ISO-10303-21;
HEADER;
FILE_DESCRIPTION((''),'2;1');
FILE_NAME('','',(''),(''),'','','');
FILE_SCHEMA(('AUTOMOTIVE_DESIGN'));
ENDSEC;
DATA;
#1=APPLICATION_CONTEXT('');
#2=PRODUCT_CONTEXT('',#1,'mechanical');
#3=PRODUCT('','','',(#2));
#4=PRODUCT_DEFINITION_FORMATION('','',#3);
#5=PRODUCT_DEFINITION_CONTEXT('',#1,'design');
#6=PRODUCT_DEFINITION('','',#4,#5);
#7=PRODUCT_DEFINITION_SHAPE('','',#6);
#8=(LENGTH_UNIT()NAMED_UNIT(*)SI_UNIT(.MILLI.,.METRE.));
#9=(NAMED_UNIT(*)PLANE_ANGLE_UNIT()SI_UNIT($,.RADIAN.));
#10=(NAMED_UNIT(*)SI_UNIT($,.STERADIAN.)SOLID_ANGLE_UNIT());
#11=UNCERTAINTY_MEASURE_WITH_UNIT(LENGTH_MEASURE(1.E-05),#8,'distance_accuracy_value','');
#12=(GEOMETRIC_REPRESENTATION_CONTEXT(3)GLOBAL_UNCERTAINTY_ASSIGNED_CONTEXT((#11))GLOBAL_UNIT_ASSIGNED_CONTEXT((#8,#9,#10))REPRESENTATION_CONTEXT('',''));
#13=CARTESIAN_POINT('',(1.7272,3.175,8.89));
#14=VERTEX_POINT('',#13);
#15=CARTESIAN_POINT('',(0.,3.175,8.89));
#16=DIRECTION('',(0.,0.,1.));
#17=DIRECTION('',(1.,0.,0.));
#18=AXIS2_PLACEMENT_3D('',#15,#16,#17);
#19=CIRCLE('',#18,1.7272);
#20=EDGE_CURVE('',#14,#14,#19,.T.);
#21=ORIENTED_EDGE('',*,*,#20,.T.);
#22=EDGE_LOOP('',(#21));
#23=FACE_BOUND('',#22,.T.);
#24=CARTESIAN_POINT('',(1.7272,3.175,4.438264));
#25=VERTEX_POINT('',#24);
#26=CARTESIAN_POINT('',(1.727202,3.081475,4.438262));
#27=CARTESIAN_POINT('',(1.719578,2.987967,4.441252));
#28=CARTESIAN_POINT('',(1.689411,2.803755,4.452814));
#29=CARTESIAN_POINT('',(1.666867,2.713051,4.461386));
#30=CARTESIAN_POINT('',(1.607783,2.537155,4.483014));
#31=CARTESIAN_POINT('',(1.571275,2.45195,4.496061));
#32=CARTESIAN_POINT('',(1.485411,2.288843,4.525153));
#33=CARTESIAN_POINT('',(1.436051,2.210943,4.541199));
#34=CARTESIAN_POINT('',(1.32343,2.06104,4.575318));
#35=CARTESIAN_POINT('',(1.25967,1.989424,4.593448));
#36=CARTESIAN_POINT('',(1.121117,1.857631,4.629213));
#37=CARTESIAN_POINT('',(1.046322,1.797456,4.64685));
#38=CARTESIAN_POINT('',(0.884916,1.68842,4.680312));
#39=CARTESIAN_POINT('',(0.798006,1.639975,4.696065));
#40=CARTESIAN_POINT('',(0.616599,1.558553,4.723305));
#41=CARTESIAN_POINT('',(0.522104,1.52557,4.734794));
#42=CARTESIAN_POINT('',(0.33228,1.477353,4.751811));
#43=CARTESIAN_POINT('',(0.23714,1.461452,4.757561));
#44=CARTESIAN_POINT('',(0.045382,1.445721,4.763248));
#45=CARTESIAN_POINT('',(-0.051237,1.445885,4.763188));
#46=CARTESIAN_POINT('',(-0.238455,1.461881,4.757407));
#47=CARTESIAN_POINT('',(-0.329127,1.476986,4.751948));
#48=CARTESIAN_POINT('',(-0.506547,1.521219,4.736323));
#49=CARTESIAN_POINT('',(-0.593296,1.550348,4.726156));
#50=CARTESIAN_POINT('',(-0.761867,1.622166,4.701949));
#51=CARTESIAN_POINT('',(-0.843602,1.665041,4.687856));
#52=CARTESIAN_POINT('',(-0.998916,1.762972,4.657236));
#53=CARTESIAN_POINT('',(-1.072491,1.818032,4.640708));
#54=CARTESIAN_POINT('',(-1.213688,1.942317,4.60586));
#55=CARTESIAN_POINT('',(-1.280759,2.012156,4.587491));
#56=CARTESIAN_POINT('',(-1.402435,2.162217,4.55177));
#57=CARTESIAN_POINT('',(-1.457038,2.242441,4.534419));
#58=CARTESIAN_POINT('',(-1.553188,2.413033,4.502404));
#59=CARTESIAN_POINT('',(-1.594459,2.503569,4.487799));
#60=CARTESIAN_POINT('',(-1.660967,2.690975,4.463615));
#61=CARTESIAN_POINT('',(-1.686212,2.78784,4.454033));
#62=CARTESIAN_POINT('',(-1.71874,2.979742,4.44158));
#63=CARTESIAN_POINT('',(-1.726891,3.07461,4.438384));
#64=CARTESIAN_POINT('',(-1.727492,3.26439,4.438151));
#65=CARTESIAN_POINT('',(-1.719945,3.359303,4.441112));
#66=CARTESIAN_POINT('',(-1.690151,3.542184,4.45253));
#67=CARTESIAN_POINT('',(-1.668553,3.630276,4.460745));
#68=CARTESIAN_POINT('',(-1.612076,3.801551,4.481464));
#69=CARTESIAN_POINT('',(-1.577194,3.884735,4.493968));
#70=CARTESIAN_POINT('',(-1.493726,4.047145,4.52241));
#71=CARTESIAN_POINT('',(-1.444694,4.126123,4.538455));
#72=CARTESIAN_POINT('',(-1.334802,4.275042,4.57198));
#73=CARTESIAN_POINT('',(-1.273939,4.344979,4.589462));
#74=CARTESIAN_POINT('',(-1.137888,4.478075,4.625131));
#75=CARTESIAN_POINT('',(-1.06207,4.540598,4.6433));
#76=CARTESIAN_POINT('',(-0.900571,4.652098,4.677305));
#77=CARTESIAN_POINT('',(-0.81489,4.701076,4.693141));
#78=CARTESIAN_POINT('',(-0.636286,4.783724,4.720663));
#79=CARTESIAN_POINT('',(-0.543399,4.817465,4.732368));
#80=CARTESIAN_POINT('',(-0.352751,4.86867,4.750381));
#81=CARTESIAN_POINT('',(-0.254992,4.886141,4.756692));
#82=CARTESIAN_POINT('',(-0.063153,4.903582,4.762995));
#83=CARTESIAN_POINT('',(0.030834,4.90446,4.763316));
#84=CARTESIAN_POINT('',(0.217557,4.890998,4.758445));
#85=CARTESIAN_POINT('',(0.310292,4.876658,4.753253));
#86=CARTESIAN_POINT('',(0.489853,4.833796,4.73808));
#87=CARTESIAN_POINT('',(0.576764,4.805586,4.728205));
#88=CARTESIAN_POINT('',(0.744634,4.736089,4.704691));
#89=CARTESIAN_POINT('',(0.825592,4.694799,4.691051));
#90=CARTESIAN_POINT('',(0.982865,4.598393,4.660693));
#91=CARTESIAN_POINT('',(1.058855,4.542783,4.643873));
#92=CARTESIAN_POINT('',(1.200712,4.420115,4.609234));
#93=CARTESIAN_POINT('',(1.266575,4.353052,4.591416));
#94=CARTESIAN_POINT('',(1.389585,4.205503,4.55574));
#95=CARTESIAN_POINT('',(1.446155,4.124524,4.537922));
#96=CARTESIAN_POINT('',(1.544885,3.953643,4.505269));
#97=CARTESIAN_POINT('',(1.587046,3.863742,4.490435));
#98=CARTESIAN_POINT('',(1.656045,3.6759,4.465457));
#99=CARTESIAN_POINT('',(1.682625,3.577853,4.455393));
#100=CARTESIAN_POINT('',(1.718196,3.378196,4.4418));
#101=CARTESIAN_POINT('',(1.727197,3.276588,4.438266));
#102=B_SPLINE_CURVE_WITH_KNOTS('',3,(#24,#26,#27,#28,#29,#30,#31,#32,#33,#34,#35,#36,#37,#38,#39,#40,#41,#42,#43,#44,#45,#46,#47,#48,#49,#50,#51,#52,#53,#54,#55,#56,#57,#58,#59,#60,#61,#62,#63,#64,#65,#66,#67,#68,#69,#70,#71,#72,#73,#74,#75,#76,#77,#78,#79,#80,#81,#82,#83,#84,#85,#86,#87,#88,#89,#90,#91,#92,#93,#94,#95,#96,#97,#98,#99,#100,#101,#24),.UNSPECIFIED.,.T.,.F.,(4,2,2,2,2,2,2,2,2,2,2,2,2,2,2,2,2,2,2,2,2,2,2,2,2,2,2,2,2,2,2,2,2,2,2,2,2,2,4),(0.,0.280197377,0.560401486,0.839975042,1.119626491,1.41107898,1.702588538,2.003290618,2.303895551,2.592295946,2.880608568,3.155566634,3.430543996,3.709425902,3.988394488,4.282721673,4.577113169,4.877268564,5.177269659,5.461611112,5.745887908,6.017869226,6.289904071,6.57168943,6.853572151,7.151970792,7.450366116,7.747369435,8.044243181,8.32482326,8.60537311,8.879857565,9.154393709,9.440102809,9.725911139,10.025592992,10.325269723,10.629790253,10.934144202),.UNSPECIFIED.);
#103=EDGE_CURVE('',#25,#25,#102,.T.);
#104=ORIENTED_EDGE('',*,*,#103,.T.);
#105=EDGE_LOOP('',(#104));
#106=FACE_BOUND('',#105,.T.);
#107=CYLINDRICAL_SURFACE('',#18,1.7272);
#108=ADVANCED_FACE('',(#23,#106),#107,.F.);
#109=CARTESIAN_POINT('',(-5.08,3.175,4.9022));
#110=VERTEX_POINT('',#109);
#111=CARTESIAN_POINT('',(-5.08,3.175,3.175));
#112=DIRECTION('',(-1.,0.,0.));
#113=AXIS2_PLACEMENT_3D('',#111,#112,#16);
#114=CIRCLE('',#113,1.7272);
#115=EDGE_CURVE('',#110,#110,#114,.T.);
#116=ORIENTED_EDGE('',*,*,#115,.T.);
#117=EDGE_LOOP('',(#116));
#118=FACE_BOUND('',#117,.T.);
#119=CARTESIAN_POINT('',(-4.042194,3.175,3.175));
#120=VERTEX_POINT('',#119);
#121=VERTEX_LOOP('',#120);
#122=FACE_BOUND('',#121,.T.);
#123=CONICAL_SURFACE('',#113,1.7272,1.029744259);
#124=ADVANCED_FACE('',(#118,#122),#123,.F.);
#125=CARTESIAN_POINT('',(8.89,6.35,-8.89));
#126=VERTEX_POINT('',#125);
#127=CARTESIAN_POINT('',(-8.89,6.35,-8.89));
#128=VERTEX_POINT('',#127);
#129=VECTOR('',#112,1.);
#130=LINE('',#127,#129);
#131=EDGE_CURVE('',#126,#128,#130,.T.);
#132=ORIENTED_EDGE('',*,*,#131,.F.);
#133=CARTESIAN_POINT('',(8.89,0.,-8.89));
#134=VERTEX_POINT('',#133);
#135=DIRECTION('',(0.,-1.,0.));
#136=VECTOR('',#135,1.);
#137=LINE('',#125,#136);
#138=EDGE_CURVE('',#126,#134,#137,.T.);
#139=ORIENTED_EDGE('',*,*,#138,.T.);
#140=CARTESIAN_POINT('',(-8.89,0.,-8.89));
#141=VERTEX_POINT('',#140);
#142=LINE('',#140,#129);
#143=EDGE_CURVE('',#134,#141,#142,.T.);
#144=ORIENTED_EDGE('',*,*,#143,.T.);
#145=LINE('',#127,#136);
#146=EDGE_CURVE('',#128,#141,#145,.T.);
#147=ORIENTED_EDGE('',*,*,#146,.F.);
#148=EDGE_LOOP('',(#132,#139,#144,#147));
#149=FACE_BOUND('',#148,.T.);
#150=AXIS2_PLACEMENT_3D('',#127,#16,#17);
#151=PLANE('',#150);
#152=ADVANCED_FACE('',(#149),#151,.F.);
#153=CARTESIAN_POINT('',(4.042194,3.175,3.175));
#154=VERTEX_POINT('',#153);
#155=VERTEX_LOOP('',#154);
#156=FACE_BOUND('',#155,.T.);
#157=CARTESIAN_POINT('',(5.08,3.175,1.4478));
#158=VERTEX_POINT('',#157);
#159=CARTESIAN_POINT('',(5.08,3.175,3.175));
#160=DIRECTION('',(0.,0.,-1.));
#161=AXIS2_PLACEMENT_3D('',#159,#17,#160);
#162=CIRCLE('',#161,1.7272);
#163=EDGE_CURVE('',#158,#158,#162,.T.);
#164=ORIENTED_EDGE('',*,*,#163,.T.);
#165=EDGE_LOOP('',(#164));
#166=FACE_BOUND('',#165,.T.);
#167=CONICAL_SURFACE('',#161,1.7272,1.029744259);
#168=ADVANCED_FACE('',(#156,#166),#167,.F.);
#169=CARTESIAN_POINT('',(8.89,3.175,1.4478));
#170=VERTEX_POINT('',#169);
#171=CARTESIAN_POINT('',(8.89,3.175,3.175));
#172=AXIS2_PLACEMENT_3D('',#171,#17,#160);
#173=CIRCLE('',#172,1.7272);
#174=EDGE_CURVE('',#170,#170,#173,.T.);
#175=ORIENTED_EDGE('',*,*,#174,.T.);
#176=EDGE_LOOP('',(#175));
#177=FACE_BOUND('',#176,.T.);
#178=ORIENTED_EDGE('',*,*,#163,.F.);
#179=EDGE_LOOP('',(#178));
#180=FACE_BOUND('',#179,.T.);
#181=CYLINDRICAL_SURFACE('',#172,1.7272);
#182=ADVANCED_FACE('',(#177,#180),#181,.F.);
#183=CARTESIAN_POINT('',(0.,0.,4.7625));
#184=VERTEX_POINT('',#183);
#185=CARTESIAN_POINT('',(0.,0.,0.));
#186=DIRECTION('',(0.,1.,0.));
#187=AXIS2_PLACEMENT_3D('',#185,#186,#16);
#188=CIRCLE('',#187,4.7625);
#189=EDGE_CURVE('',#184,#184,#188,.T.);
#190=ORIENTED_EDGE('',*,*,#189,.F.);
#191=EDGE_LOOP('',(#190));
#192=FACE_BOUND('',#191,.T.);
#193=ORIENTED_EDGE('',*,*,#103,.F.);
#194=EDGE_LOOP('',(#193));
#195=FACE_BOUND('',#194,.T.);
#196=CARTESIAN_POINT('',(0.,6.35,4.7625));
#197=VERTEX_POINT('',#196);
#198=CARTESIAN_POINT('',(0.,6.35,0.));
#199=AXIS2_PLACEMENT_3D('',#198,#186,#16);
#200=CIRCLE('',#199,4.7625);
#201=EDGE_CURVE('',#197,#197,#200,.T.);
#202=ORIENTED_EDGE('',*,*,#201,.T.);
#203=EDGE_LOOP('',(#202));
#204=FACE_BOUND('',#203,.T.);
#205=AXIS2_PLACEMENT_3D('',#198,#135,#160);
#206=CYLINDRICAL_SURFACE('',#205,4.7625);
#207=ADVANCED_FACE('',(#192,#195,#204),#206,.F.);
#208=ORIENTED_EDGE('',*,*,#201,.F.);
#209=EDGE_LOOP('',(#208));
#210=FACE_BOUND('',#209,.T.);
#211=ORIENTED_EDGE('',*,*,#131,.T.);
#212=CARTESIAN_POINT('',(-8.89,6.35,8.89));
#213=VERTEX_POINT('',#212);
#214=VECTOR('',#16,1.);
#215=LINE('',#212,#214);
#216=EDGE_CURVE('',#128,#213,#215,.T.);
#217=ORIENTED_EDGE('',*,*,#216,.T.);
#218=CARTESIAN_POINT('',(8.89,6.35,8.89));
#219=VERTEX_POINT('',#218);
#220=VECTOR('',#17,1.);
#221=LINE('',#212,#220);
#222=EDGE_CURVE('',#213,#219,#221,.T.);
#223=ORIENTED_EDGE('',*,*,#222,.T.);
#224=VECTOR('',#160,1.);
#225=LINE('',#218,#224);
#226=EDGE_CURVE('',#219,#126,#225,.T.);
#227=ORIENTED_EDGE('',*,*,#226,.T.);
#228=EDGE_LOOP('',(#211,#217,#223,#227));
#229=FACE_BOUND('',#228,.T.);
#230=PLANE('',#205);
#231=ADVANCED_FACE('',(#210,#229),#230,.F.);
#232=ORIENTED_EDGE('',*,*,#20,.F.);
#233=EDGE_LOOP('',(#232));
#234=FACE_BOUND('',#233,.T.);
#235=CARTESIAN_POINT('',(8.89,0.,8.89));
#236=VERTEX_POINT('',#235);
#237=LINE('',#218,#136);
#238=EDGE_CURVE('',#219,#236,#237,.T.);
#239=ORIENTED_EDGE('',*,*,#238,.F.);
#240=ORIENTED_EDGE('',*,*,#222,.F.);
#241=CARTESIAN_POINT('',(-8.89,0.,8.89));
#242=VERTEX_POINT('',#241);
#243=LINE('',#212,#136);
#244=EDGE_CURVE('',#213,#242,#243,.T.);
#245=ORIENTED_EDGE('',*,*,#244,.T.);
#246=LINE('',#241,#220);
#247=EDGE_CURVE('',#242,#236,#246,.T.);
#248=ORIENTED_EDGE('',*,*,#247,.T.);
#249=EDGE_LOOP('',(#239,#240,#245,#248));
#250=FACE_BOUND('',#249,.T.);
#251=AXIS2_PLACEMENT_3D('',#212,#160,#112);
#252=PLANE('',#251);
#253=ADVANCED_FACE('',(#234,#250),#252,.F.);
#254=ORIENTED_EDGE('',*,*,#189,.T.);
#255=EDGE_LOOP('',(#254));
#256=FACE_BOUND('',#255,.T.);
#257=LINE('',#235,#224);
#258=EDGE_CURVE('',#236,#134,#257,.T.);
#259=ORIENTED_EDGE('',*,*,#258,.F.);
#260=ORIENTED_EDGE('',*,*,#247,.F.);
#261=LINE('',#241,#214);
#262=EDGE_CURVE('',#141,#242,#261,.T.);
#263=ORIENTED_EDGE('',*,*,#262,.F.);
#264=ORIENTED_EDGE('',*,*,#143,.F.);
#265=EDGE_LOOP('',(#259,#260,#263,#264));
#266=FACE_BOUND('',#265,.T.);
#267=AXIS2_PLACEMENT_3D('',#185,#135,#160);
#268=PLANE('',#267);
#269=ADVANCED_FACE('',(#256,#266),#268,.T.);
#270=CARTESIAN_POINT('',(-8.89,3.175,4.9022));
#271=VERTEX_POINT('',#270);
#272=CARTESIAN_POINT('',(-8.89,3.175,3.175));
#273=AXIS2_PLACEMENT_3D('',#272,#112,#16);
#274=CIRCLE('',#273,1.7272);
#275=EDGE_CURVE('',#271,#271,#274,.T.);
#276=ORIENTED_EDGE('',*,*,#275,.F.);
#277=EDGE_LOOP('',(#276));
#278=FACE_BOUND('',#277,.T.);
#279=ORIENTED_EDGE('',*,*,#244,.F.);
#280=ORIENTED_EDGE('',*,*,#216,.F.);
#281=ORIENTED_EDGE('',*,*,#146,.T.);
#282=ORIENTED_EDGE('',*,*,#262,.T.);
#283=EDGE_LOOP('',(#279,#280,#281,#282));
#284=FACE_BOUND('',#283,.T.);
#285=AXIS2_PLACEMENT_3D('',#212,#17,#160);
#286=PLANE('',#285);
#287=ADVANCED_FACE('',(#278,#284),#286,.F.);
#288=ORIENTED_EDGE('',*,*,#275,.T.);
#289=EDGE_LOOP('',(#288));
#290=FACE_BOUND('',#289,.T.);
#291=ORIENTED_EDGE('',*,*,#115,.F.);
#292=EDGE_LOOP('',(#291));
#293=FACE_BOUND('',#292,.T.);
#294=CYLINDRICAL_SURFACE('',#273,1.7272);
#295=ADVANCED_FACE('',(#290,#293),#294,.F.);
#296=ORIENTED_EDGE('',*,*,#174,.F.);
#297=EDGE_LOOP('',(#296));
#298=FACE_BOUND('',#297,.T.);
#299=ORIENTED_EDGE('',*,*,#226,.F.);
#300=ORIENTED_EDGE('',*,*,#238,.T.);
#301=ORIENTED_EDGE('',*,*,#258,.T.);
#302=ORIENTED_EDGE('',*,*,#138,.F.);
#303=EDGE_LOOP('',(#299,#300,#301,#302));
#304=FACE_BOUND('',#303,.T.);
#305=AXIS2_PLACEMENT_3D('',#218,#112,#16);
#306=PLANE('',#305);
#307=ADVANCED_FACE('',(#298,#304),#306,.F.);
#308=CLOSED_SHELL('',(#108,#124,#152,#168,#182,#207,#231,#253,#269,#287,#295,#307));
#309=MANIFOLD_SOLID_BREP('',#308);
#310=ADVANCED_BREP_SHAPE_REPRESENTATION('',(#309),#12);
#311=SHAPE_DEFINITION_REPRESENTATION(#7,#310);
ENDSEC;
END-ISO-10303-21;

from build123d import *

# Parameters (mm, degrees)
SKETCH1_W                 = 17.78
SKETCH1_H                 = 17.78
SKETCH1_R                 = 4.7625
BOSS_EXTRUDE1_DEPTH       = 6.35
F_8_32_TAPPED_HOLE1_D     = 3.4544
F_8_32_TAPPED_HOLE1_DEPTH = 9.630193539
F_8_32_TAPPED_HOLE1_TIP   = 1.037806461


with BuildPart() as part:
    # Sketch1 → Boss-Extrude1 (new body)
    with BuildSketch(Plane(origin=(0, 0, 0), x_dir=(1, 0, 0), z_dir=(0, 1, 0))):
        Rectangle(SKETCH1_W, SKETCH1_H)
        with Locations(Location((0, 0, 0), (0, 0, 270))):
            Circle(SKETCH1_R, mode=Mode.SUBTRACT)
    extrude(amount=BOSS_EXTRUDE1_DEPTH)

    # #8-32 Tapped Hole1
    with Locations(Plane.XY.offset(8.89)):
        with Locations((0, 3.175)):
            Hole(F_8_32_TAPPED_HOLE1_D / 2, depth=F_8_32_TAPPED_HOLE1_DEPTH)
            with Locations((0, 0, -(F_8_32_TAPPED_HOLE1_DEPTH + F_8_32_TAPPED_HOLE1_TIP / 2))):  # 118° drill point
                Cone(0, F_8_32_TAPPED_HOLE1_D / 2, F_8_32_TAPPED_HOLE1_TIP, mode=Mode.SUBTRACT)

    # Sketch7 → #8-32 Tapped Hole2 (revolve, cut)
    with BuildSketch(Plane(origin=(-8.89, 3.175, 3.175), x_dir=(0, 0, 1), z_dir=(0, 1, 0))):
        Polygon((0, 0), (0, 4.847806461), (1.7272, 3.81), (1.7272, 0), align=None)
    f_8_32_tapped_hole2 = revolve(axis=Axis((-15.24, 3.175, 3.175), (1, 0, 0)), mode=Mode.SUBTRACT)

    # Mirror1: #8-32 Tapped Hole2 across plane
    add(f_8_32_tapped_hole2.mirror(Plane(origin=(0, 0, 0), x_dir=(0, 0, 1), z_dir=(1, 0, 0))), mode=Mode.SUBTRACT)


solid = part.part
